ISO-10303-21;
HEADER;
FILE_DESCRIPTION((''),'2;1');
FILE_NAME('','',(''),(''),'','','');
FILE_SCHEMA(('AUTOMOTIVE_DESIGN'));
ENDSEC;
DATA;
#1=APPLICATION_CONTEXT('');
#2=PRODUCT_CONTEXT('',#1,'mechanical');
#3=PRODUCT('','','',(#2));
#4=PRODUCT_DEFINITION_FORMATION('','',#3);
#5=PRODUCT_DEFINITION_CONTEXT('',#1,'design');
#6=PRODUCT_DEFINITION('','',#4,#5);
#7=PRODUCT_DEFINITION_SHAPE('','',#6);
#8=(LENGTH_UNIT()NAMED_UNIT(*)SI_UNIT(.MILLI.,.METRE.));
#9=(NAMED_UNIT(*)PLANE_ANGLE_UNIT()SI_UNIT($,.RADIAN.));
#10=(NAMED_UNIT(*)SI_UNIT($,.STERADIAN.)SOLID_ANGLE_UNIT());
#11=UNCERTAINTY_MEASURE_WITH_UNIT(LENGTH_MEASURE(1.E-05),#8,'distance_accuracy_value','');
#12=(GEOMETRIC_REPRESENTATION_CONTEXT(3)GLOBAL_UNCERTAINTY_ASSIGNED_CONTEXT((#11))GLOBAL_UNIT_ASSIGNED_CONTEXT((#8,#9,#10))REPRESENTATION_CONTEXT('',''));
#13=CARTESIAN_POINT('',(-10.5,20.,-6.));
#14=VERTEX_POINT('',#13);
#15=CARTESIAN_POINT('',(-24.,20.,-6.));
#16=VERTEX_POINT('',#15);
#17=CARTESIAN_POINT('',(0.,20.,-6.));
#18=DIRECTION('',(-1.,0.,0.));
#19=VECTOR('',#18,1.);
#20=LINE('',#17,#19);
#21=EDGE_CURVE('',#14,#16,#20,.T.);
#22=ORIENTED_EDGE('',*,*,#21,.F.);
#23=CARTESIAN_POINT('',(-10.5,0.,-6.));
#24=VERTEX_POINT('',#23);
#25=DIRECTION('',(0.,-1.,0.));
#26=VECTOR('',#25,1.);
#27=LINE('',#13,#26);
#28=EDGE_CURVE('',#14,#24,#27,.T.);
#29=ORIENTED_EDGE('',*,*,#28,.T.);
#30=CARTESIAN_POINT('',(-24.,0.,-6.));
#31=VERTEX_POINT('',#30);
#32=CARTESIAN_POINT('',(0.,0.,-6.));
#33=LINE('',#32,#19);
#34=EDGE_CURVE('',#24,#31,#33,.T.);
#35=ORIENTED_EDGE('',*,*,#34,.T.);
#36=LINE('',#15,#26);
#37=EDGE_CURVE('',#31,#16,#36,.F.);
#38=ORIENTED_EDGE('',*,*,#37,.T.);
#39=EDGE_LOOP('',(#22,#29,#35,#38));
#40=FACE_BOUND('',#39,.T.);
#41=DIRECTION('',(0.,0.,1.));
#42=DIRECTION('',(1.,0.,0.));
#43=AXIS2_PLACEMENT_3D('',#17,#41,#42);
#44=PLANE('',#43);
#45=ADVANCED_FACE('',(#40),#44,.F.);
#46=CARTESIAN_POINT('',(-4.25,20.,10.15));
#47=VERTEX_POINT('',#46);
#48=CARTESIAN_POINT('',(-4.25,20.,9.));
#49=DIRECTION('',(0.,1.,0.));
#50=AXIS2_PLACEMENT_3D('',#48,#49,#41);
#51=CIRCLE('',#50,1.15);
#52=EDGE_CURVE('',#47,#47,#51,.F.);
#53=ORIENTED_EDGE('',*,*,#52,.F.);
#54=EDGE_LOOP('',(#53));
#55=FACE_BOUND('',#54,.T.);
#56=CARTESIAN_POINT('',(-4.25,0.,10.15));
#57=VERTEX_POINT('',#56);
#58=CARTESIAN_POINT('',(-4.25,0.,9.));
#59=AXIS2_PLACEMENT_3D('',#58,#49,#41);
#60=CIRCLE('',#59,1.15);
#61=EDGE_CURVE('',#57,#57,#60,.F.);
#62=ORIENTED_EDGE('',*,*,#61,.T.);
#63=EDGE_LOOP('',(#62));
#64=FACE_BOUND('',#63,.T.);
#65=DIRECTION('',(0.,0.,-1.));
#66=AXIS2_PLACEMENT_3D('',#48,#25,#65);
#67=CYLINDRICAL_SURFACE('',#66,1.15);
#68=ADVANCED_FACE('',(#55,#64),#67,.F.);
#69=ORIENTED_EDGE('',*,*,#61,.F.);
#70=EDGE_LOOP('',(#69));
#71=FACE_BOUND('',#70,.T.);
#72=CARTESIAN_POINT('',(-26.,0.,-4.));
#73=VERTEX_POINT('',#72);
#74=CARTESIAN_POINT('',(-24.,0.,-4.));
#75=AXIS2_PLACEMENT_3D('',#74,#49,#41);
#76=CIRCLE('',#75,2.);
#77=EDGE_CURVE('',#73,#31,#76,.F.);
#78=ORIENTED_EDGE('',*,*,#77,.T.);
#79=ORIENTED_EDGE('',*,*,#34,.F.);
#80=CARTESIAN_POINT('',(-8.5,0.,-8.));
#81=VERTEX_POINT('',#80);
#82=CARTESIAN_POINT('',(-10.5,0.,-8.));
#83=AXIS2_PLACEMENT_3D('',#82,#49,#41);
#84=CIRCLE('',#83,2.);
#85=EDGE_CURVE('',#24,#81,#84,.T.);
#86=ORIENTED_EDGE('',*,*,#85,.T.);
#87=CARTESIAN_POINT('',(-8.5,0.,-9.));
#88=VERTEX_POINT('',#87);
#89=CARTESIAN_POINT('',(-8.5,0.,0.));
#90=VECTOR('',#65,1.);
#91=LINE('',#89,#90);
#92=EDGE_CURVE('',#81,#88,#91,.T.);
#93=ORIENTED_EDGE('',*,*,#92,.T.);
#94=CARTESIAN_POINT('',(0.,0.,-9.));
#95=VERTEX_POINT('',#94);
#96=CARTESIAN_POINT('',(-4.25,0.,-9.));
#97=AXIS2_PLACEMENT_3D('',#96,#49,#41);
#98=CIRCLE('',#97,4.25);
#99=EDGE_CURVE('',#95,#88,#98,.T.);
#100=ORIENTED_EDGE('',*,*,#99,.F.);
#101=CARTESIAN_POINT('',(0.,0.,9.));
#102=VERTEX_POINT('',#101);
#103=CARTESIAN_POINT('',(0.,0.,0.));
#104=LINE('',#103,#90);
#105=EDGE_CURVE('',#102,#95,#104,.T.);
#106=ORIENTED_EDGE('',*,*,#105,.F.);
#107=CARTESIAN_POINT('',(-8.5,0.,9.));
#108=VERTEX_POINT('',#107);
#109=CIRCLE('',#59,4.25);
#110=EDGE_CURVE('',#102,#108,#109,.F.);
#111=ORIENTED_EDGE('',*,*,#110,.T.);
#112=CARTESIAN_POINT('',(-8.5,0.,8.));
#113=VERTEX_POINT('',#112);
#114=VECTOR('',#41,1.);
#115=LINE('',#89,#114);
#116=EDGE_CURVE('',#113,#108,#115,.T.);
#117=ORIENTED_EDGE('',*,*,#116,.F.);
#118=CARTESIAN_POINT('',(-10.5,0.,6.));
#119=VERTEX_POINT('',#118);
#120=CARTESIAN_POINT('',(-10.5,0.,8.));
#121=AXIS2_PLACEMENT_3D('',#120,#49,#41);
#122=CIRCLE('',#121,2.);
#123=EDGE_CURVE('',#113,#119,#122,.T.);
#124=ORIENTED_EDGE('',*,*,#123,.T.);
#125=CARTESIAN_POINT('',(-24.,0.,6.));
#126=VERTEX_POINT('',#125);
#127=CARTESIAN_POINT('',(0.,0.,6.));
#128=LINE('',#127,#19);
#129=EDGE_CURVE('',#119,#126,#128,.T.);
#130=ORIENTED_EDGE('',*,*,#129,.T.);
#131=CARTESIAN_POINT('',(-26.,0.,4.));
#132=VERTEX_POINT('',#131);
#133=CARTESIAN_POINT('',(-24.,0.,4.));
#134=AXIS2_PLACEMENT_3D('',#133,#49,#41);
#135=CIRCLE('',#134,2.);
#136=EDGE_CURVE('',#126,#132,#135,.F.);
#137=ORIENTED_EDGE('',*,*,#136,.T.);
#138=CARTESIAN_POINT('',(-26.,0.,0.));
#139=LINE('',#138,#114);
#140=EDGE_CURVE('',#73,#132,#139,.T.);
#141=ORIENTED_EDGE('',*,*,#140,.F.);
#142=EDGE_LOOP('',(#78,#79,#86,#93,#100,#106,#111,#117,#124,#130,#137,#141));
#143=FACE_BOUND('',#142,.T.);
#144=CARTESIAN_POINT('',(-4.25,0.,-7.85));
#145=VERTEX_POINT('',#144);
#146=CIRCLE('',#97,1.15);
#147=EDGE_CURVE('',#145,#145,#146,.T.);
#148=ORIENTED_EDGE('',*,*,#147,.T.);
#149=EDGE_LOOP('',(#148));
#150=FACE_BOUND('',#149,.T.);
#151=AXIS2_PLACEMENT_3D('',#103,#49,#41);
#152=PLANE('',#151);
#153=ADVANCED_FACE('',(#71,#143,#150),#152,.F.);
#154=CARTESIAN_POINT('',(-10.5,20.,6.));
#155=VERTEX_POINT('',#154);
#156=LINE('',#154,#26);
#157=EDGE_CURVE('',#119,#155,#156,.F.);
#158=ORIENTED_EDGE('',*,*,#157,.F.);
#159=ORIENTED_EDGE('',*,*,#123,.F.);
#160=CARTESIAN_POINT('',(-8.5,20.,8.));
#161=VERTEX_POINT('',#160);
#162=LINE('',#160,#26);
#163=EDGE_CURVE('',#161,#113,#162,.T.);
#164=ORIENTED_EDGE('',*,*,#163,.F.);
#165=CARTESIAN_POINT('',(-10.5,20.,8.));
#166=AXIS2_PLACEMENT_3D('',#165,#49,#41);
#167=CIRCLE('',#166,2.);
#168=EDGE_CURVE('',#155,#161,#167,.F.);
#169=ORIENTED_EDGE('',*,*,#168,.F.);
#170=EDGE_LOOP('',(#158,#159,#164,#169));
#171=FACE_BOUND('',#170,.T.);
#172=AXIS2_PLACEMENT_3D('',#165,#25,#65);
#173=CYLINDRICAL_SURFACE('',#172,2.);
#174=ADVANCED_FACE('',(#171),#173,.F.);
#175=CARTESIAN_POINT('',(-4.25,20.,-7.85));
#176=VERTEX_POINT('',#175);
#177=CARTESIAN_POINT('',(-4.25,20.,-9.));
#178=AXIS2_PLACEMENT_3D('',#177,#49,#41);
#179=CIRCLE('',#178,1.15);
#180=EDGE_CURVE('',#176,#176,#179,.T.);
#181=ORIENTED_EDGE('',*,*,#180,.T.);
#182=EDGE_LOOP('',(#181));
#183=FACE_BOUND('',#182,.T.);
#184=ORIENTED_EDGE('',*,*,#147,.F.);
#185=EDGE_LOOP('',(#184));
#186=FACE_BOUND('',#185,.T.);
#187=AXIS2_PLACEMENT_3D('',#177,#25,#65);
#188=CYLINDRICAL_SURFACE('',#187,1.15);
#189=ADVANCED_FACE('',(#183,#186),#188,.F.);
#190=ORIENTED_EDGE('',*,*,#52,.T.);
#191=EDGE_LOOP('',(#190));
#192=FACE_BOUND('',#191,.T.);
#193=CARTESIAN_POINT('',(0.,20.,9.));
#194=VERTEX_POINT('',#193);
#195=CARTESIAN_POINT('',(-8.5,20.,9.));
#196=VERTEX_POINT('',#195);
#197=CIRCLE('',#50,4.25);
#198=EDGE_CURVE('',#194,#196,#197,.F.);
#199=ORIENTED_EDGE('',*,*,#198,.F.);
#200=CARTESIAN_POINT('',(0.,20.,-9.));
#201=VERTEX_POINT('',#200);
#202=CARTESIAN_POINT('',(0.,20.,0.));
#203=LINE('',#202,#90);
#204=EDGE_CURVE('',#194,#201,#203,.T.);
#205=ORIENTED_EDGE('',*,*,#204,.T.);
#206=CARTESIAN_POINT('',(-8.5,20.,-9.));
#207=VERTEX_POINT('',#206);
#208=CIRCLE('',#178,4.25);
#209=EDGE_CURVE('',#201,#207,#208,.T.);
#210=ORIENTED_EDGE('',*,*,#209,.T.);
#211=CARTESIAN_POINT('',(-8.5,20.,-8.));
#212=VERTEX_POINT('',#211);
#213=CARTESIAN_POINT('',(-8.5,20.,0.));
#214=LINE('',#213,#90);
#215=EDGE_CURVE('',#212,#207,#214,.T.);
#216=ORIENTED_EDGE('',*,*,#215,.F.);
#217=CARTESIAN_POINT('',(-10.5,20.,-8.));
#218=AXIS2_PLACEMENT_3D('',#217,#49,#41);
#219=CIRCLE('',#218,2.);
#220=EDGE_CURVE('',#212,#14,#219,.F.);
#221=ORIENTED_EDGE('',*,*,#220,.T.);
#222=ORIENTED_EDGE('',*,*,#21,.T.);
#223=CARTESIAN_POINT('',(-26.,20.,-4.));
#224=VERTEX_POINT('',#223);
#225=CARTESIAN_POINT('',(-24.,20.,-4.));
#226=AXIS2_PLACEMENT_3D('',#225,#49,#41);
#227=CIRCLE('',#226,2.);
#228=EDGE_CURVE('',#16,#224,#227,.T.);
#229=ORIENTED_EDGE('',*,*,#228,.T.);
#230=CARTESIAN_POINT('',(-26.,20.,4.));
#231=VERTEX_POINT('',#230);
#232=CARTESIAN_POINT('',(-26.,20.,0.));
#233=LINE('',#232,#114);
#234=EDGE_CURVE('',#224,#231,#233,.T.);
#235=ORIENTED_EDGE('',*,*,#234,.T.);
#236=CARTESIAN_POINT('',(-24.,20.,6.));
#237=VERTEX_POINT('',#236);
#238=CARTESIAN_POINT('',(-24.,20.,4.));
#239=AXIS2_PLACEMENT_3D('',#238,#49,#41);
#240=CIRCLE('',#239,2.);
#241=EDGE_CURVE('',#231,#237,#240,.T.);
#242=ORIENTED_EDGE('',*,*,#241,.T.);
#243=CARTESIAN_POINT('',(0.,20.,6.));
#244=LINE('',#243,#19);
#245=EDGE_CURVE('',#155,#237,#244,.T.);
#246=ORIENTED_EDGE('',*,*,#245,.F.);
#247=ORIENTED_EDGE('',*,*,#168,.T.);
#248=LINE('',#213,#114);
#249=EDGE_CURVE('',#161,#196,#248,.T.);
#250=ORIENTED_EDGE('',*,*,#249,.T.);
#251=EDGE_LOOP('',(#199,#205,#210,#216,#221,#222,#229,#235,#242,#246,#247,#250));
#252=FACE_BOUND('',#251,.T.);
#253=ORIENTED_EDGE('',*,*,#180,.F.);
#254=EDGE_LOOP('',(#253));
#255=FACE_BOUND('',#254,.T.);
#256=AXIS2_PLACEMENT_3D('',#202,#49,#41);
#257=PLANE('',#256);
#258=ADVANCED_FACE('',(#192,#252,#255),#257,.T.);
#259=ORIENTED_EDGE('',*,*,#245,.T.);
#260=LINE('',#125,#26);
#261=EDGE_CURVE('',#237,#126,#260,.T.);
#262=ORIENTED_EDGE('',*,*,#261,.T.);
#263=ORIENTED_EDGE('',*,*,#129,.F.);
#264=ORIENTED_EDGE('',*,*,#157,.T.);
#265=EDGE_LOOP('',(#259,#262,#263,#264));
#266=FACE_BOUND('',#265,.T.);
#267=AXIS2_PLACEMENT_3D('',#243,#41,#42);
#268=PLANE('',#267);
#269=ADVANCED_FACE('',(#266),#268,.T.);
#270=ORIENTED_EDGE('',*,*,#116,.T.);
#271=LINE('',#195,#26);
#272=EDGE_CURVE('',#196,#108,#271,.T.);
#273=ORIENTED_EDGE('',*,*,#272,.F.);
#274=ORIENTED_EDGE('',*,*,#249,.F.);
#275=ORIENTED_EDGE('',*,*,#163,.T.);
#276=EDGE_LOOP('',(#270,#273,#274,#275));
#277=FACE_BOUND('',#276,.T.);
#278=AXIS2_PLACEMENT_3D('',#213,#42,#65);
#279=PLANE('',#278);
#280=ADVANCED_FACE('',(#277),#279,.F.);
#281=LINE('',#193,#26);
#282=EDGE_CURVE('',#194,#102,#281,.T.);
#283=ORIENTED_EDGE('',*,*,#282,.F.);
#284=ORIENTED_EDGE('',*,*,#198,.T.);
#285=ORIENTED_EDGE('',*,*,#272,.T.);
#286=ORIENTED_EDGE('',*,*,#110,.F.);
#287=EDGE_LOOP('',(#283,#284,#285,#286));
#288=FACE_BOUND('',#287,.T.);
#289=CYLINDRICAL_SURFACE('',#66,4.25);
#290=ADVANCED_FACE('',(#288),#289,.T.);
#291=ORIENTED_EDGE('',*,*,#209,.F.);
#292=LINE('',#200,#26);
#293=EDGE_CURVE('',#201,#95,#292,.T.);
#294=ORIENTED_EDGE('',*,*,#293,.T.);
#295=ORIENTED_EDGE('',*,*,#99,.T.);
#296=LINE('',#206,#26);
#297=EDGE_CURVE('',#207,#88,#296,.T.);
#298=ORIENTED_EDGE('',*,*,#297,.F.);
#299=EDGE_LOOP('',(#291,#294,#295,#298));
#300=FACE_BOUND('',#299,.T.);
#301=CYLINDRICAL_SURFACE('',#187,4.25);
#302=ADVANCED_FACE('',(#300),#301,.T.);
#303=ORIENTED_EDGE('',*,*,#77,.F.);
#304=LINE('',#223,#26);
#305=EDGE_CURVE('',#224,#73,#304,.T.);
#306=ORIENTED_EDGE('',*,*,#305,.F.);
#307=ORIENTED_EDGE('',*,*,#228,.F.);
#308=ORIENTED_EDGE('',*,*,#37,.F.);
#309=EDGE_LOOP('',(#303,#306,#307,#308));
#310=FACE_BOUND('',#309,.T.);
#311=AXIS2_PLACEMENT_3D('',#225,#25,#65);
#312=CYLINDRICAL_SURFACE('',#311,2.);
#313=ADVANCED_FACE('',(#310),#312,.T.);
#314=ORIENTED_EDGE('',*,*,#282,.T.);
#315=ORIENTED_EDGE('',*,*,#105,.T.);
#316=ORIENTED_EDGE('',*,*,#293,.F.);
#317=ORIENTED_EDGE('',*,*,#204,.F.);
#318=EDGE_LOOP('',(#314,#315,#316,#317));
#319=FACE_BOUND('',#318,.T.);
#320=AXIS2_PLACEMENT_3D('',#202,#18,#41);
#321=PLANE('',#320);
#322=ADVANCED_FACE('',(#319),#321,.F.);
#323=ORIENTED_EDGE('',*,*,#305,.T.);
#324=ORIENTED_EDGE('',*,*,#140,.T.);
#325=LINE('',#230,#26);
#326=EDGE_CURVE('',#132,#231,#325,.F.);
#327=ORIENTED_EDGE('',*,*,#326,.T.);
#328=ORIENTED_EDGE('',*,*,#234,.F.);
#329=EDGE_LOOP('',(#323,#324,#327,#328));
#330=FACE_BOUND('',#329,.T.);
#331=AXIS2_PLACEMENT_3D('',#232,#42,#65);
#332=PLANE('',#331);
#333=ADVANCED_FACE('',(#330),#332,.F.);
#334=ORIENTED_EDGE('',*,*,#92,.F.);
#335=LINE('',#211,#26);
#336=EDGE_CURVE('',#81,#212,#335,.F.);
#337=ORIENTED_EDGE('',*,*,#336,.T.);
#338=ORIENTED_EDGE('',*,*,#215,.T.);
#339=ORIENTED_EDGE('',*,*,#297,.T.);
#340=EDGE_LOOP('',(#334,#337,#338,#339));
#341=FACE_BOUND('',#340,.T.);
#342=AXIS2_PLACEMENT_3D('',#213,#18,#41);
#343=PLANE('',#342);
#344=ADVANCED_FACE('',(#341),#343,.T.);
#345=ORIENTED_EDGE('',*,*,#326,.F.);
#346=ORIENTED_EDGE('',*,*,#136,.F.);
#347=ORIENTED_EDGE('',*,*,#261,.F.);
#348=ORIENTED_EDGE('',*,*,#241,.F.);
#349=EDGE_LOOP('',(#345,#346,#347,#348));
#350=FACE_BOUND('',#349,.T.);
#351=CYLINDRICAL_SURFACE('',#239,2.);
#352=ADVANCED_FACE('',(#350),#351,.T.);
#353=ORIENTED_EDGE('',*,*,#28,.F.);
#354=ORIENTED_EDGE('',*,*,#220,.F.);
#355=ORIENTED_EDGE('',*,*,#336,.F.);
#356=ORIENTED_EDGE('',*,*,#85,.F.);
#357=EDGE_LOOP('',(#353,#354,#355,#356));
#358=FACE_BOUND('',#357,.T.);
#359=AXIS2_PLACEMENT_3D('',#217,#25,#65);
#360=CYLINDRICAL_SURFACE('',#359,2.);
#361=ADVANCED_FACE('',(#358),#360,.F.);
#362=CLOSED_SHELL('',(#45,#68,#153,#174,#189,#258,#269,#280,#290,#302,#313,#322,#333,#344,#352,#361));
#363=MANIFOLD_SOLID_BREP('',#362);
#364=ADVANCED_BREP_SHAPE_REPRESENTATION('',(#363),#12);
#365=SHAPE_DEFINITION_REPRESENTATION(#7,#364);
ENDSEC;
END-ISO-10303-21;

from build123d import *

# Parameters (mm, degrees)
ESBO_O1_R                = 1.15
RESSALTO_EXTRUS_O1_DEPTH = 20
FILETE1_R                = 2


with BuildPart() as part:
    # Esboço1 → Ressalto-extrusão1 (new body)
    with BuildSketch(Plane(origin=(0, 0, 0), x_dir=(1, 0, 0), z_dir=(0, 1, 0))):
        with BuildLine():
            Line((-8.5, 9), (-8.5, 6))
            Line((-8.5, 6), (-26, 6))
            Line((-26, 6), (-26, -6))
            Line((-26, -6), (-8.5, -6))
            Line((-8.5, -6), (-8.5, -9))
            ThreePointArc((-8.5, -9), (-4.25, -13.25), (0, -9))
            Line((0, -9), (0, 9))
            ThreePointArc((0, 9), (-4.25, 13.25), (-8.5, 9))
        make_face()
        with Locations(Location((-4.25, 9, 0), (0, 0, 270))):
            Circle(ESBO_O1_R, mode=Mode.SUBTRACT)
        with Locations(Location((-4.25, -9, 0), (0, 0, 270))):
            Circle(ESBO_O1_R, mode=Mode.SUBTRACT)
    extrude(amount=RESSALTO_EXTRUS_O1_DEPTH)

    # Filete1
    filete1_edges = [part.edges().sort_by_distance(p)[0] for p in [
        (-8.5, 10, 6),
        (-26, 10, 6),
        (-26, 10, -6),
        (-8.5, 10, -6),
    ]]
    fillet(filete1_edges, radius=FILETE1_R)


solid = part.part
